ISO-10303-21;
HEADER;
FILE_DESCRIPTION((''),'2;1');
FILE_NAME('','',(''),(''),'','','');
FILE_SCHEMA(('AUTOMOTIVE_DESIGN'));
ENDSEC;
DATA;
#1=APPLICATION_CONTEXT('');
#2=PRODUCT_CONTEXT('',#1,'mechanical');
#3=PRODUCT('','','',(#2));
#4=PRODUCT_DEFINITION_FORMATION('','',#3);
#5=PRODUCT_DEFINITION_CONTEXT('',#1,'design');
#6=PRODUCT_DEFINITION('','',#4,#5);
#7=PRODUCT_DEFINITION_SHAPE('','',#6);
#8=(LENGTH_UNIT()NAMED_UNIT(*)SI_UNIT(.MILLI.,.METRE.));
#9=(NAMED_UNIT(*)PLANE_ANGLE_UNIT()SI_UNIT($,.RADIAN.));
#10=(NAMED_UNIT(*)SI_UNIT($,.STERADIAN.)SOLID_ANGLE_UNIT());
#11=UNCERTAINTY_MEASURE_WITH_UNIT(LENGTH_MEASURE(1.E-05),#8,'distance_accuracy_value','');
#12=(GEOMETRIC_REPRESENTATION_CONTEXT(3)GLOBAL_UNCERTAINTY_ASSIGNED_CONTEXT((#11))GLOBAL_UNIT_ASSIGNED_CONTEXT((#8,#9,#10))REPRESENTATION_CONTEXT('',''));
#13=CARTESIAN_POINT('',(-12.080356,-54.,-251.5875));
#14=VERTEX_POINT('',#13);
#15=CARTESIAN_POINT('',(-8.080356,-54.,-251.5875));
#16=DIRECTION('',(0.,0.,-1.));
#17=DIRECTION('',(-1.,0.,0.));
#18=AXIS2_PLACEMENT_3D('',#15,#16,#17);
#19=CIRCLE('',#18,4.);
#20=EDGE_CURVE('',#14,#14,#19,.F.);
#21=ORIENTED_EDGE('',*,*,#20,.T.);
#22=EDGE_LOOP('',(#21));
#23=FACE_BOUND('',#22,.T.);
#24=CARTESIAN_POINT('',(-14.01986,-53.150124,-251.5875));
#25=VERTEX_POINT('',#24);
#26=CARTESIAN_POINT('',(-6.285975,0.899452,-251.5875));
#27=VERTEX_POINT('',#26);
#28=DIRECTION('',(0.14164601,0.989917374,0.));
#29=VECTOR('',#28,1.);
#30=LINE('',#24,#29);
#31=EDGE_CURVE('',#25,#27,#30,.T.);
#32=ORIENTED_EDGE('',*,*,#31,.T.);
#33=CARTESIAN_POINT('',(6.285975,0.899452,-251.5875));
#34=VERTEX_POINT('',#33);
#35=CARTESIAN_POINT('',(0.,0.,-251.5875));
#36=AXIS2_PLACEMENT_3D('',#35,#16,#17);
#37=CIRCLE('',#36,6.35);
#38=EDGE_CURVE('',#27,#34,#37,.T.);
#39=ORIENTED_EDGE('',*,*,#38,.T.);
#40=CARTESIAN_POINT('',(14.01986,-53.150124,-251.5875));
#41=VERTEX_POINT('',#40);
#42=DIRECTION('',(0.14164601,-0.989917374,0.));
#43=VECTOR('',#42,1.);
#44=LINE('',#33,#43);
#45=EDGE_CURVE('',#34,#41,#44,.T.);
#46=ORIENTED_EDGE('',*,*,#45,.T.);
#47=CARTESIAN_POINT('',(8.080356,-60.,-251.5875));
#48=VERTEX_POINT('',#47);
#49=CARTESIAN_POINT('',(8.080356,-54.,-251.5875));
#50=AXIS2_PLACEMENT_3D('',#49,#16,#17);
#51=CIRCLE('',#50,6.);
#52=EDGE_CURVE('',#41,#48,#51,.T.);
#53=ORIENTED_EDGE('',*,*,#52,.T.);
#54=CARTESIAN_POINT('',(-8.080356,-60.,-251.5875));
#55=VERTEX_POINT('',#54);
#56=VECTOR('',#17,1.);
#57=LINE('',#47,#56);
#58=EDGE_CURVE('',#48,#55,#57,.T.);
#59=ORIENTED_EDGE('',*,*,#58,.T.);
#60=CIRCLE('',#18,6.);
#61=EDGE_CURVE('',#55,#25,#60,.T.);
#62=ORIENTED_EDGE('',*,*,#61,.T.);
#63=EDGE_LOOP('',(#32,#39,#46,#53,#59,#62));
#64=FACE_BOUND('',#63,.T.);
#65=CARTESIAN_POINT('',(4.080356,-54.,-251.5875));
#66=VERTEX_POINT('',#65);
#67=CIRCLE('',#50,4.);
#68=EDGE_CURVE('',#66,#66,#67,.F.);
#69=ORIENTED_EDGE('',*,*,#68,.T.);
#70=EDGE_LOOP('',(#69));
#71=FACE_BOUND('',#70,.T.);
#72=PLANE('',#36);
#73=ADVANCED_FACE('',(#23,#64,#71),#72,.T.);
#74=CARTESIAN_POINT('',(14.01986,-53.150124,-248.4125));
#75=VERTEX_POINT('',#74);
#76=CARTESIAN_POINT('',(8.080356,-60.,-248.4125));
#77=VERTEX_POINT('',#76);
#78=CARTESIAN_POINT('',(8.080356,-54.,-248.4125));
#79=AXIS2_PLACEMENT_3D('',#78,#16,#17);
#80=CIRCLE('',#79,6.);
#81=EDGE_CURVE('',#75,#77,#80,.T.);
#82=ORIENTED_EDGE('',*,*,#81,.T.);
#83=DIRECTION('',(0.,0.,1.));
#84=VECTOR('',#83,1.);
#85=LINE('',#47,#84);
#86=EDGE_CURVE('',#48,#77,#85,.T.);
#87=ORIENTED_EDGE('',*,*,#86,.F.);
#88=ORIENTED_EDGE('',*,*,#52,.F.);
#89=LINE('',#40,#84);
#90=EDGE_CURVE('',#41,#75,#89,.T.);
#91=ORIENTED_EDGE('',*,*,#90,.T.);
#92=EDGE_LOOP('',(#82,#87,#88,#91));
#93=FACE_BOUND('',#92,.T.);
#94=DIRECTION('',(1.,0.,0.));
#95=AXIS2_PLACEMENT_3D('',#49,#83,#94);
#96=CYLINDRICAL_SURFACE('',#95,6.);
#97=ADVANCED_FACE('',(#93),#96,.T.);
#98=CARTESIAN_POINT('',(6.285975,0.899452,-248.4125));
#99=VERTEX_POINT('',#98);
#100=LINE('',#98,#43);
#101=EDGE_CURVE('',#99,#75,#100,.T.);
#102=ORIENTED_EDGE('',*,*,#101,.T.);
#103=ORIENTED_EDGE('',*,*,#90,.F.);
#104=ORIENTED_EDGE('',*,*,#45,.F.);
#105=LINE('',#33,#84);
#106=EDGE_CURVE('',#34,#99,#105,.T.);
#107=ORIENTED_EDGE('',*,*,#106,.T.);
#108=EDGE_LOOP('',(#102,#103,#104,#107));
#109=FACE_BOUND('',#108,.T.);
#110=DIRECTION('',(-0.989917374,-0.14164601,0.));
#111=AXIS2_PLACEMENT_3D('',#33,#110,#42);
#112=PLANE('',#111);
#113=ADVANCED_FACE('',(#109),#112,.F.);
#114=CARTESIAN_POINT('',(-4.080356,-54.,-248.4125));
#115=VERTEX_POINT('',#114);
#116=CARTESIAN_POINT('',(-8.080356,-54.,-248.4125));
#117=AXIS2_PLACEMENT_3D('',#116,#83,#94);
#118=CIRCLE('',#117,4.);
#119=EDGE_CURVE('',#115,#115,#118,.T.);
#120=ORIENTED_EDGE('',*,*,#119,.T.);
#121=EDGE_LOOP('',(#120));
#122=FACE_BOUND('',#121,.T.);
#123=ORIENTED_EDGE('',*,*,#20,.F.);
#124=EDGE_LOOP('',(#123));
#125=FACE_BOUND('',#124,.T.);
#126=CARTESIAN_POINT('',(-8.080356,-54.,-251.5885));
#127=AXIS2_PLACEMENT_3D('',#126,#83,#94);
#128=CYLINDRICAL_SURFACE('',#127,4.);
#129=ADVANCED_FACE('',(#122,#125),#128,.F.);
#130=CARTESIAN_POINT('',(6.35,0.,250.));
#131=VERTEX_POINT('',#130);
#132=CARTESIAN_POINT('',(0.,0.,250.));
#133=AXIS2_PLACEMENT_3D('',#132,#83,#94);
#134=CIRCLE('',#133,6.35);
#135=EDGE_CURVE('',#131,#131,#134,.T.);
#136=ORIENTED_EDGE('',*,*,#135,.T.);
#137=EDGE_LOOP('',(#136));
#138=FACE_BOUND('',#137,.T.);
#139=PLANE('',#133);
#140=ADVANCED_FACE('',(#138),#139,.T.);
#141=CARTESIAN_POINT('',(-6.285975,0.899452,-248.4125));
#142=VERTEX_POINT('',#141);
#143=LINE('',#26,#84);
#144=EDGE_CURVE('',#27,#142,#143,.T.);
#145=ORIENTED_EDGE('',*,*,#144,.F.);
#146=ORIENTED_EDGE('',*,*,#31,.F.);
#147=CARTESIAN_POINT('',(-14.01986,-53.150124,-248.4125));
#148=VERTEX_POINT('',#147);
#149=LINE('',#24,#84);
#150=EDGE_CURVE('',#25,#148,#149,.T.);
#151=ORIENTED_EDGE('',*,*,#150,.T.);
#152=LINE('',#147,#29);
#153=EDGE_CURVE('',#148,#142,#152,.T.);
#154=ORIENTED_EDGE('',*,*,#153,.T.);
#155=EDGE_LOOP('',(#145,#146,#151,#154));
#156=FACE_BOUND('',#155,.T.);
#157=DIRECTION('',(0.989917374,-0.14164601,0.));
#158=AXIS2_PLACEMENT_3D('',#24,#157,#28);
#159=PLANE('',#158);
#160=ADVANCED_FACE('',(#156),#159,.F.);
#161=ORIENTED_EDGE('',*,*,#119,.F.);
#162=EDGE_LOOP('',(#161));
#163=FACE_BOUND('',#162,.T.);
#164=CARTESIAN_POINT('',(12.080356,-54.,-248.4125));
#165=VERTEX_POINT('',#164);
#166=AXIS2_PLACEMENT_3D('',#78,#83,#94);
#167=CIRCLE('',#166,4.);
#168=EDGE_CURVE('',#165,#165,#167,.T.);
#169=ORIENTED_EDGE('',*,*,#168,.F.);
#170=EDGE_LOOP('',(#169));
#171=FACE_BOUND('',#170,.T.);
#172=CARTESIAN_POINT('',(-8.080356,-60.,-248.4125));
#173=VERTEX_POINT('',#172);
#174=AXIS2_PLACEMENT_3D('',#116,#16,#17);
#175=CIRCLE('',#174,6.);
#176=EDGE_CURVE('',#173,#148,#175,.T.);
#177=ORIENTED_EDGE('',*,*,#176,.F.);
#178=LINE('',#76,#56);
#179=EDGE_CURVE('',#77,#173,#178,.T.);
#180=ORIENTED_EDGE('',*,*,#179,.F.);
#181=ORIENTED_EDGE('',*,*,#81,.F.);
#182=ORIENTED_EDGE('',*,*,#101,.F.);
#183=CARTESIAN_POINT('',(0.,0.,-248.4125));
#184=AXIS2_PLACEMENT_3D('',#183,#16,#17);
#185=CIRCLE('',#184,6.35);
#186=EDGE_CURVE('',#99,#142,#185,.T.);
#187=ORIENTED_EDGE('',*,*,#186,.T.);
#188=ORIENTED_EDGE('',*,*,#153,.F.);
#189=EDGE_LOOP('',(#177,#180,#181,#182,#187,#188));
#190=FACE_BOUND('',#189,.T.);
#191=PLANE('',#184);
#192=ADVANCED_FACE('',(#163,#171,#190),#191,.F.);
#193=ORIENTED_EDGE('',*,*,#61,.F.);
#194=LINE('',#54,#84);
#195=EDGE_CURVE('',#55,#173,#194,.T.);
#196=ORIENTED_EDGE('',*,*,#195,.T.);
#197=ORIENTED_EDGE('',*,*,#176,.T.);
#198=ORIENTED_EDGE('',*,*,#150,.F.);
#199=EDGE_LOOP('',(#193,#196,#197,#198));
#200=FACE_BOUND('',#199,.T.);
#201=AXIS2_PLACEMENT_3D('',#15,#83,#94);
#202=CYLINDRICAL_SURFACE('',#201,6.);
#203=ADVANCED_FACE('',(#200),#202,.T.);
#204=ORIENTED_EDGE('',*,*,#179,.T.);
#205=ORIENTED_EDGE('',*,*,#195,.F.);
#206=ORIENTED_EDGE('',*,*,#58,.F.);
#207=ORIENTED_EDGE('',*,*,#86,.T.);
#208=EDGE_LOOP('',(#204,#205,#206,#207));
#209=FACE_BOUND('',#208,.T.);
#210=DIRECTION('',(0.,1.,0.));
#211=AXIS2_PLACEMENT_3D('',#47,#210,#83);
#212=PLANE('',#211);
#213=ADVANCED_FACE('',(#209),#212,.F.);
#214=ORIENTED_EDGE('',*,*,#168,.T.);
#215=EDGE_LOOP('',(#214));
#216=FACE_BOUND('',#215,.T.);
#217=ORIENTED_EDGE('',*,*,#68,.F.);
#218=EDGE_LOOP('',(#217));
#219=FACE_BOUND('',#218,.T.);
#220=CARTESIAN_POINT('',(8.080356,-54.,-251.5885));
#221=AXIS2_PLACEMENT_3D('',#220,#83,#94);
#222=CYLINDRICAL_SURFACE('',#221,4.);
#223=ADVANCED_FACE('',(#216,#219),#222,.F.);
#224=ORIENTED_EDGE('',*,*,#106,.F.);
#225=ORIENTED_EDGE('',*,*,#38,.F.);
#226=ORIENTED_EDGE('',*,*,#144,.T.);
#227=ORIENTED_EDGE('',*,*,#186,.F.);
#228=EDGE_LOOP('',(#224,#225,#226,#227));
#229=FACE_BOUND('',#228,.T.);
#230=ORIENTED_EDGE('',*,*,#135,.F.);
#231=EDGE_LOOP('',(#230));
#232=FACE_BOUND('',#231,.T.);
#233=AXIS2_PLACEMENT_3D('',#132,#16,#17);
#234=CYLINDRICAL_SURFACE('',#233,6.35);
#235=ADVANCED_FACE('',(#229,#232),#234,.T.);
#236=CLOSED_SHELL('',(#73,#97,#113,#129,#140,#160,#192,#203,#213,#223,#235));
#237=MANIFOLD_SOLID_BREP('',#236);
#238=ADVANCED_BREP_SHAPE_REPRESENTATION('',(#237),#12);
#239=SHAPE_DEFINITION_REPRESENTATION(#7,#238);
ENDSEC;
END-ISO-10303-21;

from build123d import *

# Parameters (mm, degrees)
SKETCH1_R           = 6.35
BOSS_EXTRUDE1_DEPTH = 250
BOSS_EXTRUDE2_DEPTH = 1.5875
CUT_EXTRUDE1_REACH  = 5.175
SKETCH3_R           = 4


with BuildPart() as part:
    # Sketch1 → Boss-Extrude1 (new body, symmetric)
    with BuildSketch(Plane.XY):
        Circle(SKETCH1_R)
    extrude(amount=BOSS_EXTRUDE1_DEPTH, both=True)

    # Sketch2 → Boss-Extrude2 (add, symmetric)
    with BuildSketch(Plane(origin=(0, 0, -250), x_dir=(-1, 0, 0), z_dir=(0, 0, -1))):
        with BuildLine():
            Line((-6.285975, 0.899452), (-14.01986, -53.150124))
            ThreePointArc((-14.01986, -53.150124), (-12.613526, -57.930696), (-8.080356, -60))
            Line((-8.080356, -60), (8.080356, -60))
            ThreePointArc((8.080356, -60), (12.613526, -57.930696), (14.01986, -53.150124))
            Line((14.01986, -53.150124), (6.285975, 0.899452))
            ThreePointArc((6.285975, 0.899452), (0, 6.35), (-6.285975, 0.899452))
        make_face()
    extrude(amount=BOSS_EXTRUDE2_DEPTH, both=True)

    # Sketch3 → Cut-Extrude1 (cut, up to next)
    with BuildSketch(Plane.XY.offset(-248.4125), mode=Mode.PRIVATE) as cut_extrude1_sk1:
        with Locations((-8.080356, -54)):
            Circle(SKETCH3_R)
    cut_extrude1_tool1 = extrude(cut_extrude1_sk1.sketch, amount=-CUT_EXTRUDE1_REACH, mode=Mode.PRIVATE) & part.part
    add(cut_extrude1_tool1.solids().sort_by_distance((-8.080356, -54, -248.4125))[0], mode=Mode.SUBTRACT)
    # Sketch3 → Cut-Extrude1 (cut, up to next)
    with BuildSketch(Plane.XY.offset(-248.4125), mode=Mode.PRIVATE) as cut_extrude1_sk2:
        with Locations((8.080356, -54)):
            Circle(SKETCH3_R)
    cut_extrude1_tool2 = extrude(cut_extrude1_sk2.sketch, amount=-CUT_EXTRUDE1_REACH, mode=Mode.PRIVATE) & part.part
    add(cut_extrude1_tool2.solids().sort_by_distance((8.080356, -54, -248.4125))[0], mode=Mode.SUBTRACT)


solid = part.part
